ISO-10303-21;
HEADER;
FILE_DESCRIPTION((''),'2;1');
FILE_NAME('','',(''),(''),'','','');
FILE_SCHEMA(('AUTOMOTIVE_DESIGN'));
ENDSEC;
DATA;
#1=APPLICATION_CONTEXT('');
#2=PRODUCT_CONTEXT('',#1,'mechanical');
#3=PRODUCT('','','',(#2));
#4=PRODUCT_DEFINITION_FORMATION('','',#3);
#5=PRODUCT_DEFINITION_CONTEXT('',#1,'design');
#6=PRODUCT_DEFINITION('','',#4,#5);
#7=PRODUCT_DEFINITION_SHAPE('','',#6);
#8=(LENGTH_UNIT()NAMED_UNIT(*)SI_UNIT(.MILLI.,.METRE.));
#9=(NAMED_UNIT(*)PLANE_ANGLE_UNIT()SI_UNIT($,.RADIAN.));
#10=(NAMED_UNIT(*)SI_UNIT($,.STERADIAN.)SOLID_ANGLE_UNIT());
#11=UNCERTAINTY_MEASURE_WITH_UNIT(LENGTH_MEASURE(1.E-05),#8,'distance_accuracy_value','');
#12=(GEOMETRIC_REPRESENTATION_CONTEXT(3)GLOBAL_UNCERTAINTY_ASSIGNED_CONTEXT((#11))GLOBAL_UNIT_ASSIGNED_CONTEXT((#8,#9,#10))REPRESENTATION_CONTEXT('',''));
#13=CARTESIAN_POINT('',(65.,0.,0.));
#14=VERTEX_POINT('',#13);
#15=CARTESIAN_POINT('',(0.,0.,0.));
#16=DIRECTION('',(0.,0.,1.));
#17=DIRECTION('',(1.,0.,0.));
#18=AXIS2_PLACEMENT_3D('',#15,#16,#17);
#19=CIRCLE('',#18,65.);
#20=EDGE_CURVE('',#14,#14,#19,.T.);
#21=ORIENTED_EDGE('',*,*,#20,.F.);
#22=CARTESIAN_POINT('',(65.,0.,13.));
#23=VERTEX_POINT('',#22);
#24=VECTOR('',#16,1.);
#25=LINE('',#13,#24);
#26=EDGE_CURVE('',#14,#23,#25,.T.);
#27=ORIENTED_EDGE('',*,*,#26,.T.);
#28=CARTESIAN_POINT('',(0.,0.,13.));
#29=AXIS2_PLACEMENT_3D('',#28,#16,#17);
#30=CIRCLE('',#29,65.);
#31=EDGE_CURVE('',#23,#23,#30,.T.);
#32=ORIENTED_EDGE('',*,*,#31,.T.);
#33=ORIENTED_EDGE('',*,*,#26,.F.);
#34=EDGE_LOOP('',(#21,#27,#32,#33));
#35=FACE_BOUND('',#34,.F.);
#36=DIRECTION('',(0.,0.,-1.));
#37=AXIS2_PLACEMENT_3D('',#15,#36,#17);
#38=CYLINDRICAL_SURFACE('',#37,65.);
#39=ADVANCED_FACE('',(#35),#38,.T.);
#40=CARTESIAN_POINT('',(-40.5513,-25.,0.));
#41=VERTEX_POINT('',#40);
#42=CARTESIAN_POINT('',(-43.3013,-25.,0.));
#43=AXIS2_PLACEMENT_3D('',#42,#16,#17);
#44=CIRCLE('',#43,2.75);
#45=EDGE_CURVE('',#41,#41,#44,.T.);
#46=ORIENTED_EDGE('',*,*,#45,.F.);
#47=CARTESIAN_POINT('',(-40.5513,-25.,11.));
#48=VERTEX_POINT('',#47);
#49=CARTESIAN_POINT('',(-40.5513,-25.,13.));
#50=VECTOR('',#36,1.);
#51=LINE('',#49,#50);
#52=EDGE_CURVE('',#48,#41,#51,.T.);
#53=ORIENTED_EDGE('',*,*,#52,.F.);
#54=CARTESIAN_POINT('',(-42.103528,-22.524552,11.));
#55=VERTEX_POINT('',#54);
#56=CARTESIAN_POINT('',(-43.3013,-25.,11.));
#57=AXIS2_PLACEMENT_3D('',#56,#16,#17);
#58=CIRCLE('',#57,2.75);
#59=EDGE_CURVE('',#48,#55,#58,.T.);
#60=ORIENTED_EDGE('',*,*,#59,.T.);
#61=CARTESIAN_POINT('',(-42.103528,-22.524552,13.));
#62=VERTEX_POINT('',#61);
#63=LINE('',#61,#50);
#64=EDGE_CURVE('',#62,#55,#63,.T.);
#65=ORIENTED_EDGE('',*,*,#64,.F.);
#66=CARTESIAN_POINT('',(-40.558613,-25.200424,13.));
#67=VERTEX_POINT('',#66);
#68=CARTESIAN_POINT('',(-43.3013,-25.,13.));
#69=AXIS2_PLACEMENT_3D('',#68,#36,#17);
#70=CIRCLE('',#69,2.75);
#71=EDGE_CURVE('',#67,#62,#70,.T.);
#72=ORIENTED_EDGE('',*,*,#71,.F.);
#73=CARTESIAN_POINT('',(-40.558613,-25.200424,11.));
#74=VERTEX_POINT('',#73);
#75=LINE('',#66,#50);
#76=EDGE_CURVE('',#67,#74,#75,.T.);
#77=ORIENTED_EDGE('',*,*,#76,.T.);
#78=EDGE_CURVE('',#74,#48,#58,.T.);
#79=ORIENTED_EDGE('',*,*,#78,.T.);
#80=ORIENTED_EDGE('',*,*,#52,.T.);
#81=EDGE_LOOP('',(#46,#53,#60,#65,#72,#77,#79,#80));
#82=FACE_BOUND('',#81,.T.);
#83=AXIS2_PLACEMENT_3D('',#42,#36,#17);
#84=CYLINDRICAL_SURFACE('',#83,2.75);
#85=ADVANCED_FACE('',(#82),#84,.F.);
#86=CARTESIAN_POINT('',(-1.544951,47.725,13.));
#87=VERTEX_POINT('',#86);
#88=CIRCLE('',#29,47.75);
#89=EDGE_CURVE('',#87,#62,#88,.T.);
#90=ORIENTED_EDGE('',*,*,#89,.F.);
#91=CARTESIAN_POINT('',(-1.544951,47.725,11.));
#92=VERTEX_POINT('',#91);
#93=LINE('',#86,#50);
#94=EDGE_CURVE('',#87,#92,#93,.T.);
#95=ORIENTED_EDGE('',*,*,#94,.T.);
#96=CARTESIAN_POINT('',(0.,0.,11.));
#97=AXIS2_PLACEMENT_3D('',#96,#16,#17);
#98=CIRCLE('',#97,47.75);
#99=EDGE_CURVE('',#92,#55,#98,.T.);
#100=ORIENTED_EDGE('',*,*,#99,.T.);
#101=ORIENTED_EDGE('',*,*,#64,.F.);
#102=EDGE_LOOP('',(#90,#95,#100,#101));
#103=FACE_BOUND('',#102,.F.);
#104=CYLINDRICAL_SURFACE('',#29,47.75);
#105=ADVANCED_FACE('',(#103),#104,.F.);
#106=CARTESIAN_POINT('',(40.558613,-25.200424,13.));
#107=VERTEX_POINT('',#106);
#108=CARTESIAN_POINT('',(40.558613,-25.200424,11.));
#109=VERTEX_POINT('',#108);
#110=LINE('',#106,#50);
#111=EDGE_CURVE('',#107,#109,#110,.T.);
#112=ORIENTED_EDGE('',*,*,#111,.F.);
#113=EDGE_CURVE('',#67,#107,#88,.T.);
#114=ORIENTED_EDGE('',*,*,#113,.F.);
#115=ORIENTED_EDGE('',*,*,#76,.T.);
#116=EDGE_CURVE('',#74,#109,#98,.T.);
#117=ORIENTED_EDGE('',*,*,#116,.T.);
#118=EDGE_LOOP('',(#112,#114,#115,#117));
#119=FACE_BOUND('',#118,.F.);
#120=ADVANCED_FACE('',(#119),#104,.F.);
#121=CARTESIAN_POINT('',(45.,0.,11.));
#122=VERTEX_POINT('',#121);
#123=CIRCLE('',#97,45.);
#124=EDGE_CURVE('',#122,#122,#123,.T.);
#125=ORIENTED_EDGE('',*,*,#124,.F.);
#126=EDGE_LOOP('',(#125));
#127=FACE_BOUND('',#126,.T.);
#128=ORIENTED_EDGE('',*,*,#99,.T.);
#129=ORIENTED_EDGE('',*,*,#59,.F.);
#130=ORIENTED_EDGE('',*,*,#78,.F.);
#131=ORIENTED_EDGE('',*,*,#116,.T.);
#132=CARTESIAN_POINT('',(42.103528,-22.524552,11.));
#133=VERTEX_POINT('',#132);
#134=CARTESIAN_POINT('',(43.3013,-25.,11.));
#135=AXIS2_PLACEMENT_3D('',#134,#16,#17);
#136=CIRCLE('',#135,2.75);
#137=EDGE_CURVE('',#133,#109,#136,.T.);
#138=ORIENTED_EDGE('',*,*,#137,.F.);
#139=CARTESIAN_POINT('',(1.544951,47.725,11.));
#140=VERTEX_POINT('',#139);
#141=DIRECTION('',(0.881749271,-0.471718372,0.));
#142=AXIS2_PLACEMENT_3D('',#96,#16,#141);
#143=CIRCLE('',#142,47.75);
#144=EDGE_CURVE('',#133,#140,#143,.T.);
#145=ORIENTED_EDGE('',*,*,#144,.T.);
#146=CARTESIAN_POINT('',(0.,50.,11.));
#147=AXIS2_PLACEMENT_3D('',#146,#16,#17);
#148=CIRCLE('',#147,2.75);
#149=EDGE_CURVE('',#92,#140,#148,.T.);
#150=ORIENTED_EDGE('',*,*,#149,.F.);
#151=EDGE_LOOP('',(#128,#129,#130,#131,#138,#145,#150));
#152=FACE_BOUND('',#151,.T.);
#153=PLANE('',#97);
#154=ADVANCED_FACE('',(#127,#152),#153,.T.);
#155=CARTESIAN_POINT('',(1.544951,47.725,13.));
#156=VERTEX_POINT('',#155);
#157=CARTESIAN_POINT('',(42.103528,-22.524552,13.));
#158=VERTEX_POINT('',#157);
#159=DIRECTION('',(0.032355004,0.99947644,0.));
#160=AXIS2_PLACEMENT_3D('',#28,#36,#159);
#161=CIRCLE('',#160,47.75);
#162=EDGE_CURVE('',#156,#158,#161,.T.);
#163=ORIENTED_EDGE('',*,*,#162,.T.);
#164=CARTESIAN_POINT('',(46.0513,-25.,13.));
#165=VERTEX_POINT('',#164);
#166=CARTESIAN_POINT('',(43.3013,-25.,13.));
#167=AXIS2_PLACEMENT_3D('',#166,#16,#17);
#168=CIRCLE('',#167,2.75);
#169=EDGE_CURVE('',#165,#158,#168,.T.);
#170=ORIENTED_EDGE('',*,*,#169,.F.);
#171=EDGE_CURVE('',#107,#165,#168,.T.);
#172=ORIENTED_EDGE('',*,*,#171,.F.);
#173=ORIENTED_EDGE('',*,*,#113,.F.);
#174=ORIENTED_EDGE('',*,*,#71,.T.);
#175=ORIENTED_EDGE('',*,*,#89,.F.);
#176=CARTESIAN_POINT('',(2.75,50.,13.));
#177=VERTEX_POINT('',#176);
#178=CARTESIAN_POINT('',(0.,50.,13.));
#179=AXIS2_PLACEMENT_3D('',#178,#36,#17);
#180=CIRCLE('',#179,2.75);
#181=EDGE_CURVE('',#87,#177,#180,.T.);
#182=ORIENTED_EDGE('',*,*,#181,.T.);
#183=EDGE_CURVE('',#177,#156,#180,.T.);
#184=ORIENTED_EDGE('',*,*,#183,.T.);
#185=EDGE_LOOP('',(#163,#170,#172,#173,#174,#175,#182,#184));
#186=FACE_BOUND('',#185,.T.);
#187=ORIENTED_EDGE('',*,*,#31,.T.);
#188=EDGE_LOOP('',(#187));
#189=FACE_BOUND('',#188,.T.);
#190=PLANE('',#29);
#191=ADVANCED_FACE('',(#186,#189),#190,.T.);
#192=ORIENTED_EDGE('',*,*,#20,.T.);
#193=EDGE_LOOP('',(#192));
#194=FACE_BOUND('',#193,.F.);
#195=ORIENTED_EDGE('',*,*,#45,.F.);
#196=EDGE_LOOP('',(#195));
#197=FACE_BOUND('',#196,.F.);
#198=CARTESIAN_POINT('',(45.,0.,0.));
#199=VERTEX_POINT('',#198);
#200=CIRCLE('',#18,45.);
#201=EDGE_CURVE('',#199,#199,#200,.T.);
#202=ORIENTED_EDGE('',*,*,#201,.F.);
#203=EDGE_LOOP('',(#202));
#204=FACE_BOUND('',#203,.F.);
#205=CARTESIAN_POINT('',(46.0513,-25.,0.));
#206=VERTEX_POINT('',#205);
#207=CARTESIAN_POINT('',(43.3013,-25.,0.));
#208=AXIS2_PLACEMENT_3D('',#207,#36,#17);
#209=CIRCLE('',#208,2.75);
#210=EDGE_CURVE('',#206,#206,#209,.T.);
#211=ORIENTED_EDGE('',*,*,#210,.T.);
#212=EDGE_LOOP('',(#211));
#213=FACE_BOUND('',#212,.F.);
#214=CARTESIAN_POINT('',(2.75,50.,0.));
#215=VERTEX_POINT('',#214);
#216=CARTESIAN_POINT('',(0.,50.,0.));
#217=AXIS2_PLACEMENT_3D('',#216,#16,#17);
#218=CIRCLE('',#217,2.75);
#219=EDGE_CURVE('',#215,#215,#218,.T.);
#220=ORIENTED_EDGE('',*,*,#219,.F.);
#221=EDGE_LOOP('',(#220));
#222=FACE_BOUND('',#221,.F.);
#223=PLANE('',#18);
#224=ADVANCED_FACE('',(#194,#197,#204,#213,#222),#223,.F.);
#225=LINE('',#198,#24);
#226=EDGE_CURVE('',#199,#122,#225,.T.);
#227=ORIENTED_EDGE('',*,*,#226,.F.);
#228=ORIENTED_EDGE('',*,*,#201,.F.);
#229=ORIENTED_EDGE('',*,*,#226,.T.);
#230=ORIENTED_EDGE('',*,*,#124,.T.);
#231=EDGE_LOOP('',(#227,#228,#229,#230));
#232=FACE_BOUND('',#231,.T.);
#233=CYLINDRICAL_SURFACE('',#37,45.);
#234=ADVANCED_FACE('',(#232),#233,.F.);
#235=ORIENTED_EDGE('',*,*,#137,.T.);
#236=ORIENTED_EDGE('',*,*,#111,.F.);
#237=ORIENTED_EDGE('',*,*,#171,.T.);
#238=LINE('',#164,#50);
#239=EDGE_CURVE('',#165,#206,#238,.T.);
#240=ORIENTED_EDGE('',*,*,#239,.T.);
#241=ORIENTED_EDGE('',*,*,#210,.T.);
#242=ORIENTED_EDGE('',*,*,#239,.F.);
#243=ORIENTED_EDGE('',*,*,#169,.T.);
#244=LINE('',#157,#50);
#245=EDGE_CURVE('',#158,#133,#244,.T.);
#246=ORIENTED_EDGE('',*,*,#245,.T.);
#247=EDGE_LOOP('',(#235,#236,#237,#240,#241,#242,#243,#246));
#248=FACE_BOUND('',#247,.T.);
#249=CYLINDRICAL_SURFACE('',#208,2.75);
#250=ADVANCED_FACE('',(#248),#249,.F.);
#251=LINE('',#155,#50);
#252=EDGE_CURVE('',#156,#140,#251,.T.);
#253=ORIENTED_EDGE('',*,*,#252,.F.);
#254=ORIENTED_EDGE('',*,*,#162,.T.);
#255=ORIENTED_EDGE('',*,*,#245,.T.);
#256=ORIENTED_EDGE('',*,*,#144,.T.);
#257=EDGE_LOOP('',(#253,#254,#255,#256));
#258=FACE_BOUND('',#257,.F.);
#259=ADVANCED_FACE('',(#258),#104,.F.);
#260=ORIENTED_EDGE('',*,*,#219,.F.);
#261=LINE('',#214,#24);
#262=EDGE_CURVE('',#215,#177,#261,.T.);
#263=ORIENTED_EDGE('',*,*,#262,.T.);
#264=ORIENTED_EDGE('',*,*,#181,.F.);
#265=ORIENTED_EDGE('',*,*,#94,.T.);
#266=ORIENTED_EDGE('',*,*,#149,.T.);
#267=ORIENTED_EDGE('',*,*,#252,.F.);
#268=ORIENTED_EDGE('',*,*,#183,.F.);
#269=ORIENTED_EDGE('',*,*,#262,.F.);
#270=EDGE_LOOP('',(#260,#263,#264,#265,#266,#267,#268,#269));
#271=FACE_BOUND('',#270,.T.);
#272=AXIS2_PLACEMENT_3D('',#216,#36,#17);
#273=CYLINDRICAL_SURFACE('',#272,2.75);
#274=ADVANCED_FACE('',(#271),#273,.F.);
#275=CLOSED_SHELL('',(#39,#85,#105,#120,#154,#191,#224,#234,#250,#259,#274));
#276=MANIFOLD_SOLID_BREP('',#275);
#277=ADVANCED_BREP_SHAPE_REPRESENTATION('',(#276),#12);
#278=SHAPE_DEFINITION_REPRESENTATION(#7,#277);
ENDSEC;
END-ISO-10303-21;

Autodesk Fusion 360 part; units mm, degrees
sketch "Base" plane through (0, 0, 0) normal (0, 0, 1) x (1, 0, 0)
  circle A0 centre (0, 0) radius 45
  circle A1 centre (0, 0) radius 47.75
  circle A2 centre (0, 0) radius 65
  line L0 (0, 0) -> (0, 50) construction
  circle A3 centre (0, 50) radius 2.75
  circle A4 centre (-43.3013, -25) radius 2.75
  circle A5 centre (43.3013, -25) radius 2.75
  dimension "d6" = 90
  dimension "d7" = 95.5
  dimension "d8" = 130
  dimension "d12" = 50
  dimension "d13" = 5.5
  dimension "d15" = 360
extrude "Extrude1" add sketch "Base" along normal blind 13 contours A0 | A1 A3 A4 A5 | A2
extrude "Extrude2" add sketch "Base" along normal up to surface (11 mm away) from surface at 2 contours A1 A3 A4 A5 | A1 A3 | A1 A5 | A1 A4 picked at (0, 47.5815) picked at (41.2068, -23.7907) picked at (-41.224, -23.7621)
extrude "Extrude3" add sketch "Base" along normal up to surface (5 mm away) from surface at 8 contours A1 A3 | A1 A3 | A1 A5 | A1 A5 | A1 A4 | A1 A4
extrude "Extrude4" cut sketch "Base" along normal up to surface (13 mm away) contours A1 A3 | A1 A5 | A1 A4 picked at (-0.0423, 49.4138) picked at (42.7651, -24.7549) picked at (-42.7945, -24.7074)
extrude "Extrude5" cut sketch "Base" along normal up to surface (13 mm away) contours A0
extrude "Extrude6" cut sketch "Base" along normal up to surface (13 mm away) contours A1 A3 | A1 A3 | A1 A5 | A1 A5 | A1 A4 | A1 A4
extrude "Extrude7" cut sketch "Base" against normal blind 2 from surface at 13 contours A1 A3 A4 A5
equation "adapterInnerHoleDiameter = 89 mm" comment "Valkoisen välipalikan pienempi hole"
equation "adapterFlangeDepth = 2 mm" comment "Valkoisen välipalikan huulloksen syvyys"
equation "adapterFlangeDiameter = 94.5 mm" comment "Valkoisen välipalikan huulloksen halkaisija"
equation "plafondBaseDiameter = 130 mm" comment "Plafondilampun pohjan halkaisija"
equation "plafondBaseScrewDistance = 87 mm" comment "Plafondin kiinnitysruuvien etäisyys"
equation "d6 = adapterInnerHoleDiameter + shrinkageTolerance"
equation "d7 = adapterFlangeDiameter + shrinkageTolerance"
equation "d8 = plafondBaseDiameter"
equation "adapterInnerHoleDepth = 11 mm" comment "Valkoisen välipalikan syvyys"
equation "heatInsertDiameter = 5.5 mm" comment "M4 brass heat insert"
equation "heatInsertLength = 8 mm" comment "M4 brass heat insert"
equation "d12 = adapterFlangeDiameter / 2 + heatInsertDiameter / 2"
equation "d13 = heatInsertDiameter"
equation "d16 = adapterFlangeDepth + adapterInnerHoleDepth"
equation "d18 = adapterFlangeDepth"
equation "d21 = heatInsertLength"
equation "shrinkageTolerance = 1 mm" comment "Account printing material shrinkage"
equation "d32 = -adapterFlangeDepth"
